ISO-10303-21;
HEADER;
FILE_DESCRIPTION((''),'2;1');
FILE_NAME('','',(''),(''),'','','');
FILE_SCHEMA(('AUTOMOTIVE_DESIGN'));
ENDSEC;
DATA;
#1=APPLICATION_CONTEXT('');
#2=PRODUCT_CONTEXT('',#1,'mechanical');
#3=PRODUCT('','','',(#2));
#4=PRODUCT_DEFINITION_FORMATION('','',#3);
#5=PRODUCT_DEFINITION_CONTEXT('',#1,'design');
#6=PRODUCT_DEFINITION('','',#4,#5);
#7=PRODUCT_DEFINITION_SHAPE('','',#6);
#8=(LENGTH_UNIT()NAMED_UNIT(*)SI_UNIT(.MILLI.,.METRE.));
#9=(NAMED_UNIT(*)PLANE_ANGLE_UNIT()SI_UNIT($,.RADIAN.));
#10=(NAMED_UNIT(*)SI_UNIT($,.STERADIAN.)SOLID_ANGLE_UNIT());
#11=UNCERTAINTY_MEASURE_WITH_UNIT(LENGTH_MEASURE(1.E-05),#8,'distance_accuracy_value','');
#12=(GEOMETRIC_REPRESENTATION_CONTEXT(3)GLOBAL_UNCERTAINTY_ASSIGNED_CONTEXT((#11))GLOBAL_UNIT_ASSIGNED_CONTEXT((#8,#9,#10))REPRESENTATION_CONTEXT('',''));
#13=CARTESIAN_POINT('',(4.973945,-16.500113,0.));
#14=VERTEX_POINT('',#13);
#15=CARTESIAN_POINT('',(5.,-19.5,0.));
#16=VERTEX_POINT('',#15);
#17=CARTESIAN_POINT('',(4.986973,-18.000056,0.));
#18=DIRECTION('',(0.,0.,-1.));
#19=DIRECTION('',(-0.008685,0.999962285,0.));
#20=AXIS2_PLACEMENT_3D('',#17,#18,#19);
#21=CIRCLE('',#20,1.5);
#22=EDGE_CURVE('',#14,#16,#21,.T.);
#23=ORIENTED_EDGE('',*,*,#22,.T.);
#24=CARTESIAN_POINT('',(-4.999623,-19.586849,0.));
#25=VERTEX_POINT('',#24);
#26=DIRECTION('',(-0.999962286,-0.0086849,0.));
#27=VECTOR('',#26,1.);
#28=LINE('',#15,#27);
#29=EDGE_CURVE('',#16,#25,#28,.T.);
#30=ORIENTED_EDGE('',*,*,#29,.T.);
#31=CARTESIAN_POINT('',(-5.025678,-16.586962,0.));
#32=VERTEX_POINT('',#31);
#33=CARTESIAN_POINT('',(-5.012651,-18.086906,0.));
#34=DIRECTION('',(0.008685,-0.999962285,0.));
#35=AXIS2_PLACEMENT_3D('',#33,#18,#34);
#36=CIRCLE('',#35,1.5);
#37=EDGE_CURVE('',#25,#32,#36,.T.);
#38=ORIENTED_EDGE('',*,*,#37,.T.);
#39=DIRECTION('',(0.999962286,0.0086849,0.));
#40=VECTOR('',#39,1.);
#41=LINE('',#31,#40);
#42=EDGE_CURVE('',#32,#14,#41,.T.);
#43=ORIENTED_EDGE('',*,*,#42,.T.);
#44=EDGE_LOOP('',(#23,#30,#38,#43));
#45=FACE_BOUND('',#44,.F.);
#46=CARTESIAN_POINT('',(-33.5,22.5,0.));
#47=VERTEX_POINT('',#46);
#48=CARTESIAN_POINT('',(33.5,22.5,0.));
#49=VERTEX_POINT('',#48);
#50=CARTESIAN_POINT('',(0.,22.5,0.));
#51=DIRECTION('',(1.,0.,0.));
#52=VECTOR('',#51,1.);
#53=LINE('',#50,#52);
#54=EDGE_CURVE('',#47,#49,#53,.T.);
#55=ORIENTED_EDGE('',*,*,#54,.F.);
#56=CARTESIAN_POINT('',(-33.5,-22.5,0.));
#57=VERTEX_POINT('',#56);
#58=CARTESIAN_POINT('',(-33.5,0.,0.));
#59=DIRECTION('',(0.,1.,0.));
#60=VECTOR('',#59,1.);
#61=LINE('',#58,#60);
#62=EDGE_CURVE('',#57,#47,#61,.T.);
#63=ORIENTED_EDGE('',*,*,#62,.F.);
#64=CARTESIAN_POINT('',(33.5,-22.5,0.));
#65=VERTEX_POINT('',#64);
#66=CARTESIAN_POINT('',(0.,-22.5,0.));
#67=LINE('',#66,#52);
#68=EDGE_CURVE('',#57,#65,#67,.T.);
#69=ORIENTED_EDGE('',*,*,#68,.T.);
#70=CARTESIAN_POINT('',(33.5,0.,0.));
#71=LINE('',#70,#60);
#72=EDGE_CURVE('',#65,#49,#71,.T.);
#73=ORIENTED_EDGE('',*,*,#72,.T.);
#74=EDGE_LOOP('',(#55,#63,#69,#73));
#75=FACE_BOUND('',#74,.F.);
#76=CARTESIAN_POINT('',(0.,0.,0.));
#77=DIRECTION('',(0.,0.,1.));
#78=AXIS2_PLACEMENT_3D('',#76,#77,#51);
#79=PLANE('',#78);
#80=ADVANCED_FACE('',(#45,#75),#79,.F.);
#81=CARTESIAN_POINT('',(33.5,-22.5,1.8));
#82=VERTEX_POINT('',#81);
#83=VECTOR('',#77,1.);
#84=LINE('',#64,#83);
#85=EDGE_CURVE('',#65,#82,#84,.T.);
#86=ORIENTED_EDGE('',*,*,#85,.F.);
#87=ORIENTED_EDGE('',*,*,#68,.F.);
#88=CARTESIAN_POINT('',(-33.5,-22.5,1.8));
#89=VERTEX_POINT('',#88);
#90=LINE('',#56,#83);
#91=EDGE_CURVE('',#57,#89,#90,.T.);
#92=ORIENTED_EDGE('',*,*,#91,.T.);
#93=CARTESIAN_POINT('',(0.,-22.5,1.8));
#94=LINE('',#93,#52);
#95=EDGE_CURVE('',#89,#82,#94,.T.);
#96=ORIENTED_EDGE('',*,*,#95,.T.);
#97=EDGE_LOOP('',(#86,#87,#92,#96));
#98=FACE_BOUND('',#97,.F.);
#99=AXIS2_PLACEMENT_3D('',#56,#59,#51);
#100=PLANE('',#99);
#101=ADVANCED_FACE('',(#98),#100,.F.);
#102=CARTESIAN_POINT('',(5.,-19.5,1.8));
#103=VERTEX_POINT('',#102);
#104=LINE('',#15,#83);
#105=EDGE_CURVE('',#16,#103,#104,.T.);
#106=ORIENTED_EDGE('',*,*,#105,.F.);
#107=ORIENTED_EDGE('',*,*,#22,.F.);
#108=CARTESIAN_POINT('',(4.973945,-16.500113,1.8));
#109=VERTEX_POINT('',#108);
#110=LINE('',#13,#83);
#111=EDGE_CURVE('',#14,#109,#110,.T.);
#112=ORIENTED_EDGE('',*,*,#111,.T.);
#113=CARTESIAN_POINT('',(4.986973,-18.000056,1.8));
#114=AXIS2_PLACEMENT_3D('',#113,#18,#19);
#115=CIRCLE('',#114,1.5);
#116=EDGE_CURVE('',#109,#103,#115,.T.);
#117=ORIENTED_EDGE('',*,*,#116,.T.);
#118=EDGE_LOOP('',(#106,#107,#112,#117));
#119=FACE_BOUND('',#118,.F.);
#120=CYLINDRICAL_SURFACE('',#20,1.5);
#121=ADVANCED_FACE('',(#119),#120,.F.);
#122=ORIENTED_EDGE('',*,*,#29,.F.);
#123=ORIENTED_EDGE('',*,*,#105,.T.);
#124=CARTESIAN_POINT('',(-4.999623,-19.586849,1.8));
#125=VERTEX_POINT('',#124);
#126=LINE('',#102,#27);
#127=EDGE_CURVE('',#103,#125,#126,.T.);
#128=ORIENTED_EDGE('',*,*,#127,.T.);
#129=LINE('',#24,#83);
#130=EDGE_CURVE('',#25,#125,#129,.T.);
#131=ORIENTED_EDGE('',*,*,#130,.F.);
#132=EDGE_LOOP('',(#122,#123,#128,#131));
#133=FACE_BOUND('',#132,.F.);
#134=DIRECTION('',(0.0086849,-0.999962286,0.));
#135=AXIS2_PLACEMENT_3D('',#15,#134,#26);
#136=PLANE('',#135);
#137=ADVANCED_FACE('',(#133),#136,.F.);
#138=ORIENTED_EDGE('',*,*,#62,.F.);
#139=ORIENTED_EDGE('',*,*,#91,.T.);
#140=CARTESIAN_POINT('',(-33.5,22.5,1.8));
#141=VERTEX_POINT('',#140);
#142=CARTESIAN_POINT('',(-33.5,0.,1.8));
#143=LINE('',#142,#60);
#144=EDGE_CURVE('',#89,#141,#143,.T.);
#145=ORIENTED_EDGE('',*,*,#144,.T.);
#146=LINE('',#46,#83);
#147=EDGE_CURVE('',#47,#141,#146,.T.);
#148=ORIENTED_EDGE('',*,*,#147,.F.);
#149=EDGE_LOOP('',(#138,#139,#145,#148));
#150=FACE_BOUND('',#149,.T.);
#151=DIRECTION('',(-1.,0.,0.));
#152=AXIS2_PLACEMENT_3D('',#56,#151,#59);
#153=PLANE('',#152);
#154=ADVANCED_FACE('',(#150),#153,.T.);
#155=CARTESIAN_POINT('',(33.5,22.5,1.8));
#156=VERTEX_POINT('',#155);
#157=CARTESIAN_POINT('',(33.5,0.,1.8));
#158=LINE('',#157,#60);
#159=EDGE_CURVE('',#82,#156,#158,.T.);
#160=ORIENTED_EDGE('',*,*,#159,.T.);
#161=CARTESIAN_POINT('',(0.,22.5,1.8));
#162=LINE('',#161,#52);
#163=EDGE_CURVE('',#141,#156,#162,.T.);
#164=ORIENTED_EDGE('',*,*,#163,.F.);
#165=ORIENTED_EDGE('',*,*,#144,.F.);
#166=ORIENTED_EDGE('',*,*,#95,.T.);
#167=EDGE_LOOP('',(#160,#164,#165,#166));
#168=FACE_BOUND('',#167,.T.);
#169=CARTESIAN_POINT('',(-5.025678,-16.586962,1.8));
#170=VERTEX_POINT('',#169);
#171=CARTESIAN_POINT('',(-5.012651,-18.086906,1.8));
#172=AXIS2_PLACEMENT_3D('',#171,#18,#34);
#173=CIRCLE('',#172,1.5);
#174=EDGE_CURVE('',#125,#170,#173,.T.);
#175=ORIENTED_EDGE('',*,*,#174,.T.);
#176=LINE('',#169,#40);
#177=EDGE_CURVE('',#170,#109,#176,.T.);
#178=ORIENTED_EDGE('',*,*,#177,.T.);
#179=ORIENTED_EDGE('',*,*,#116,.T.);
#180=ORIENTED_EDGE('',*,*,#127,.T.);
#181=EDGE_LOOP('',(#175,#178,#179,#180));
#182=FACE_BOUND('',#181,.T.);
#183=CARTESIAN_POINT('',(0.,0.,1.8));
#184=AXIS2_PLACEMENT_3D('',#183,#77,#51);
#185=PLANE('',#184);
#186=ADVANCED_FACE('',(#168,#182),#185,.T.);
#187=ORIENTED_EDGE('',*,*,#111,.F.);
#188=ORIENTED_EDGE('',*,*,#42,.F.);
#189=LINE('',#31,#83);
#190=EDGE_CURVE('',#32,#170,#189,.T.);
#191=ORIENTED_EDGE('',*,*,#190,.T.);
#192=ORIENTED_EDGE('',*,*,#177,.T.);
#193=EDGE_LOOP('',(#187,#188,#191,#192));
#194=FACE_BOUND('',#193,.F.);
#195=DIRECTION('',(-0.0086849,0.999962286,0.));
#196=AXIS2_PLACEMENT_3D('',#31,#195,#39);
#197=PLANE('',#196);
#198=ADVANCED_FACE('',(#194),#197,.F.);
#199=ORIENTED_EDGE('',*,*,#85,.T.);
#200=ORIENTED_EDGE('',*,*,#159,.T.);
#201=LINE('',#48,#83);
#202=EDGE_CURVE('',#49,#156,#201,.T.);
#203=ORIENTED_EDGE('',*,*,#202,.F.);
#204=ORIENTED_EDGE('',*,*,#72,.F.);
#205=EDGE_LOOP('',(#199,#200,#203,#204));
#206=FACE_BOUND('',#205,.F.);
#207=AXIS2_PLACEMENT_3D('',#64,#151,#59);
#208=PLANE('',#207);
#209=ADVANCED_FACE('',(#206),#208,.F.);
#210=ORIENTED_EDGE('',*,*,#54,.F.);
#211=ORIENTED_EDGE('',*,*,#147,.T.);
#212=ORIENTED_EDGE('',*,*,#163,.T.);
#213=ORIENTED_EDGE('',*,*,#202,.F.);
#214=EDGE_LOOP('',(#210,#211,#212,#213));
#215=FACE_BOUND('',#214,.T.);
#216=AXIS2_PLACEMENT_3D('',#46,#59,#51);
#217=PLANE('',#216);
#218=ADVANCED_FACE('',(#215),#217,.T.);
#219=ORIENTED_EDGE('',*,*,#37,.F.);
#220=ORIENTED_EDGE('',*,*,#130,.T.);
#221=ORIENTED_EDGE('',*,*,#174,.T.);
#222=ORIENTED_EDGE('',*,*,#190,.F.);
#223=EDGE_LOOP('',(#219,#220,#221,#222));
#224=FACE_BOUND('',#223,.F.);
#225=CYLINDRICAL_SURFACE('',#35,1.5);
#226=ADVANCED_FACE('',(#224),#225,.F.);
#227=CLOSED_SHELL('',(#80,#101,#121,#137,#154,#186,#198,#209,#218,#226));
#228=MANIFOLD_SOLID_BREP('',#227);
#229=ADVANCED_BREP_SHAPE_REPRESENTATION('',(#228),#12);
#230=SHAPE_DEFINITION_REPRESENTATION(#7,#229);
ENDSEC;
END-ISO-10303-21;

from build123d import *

# Parameters (mm, degrees)
F0_W     = 67
F0_H     = 45
F1_DEPTH = 1.8


with BuildPart() as f1:
    # F0 (on Top) → F1 (new body)
    with BuildSketch(Plane.XY):
        Rectangle(F0_W, F0_H)
        with BuildLine():
            ThreePointArc((-4.999623, -19.586849), (-6.512594, -18.099933), (-5.025678, -16.586962))
            Line((-5.025678, -16.586962), (4.973945, -16.500113))
            ThreePointArc((4.973945, -16.500113), (6.486916, -17.987029), (5, -19.5))
            Line((5, -19.5), (-4.999623, -19.586849))
        make_face(mode=Mode.SUBTRACT)
    extrude(amount=F1_DEPTH)


solid = f1.part
